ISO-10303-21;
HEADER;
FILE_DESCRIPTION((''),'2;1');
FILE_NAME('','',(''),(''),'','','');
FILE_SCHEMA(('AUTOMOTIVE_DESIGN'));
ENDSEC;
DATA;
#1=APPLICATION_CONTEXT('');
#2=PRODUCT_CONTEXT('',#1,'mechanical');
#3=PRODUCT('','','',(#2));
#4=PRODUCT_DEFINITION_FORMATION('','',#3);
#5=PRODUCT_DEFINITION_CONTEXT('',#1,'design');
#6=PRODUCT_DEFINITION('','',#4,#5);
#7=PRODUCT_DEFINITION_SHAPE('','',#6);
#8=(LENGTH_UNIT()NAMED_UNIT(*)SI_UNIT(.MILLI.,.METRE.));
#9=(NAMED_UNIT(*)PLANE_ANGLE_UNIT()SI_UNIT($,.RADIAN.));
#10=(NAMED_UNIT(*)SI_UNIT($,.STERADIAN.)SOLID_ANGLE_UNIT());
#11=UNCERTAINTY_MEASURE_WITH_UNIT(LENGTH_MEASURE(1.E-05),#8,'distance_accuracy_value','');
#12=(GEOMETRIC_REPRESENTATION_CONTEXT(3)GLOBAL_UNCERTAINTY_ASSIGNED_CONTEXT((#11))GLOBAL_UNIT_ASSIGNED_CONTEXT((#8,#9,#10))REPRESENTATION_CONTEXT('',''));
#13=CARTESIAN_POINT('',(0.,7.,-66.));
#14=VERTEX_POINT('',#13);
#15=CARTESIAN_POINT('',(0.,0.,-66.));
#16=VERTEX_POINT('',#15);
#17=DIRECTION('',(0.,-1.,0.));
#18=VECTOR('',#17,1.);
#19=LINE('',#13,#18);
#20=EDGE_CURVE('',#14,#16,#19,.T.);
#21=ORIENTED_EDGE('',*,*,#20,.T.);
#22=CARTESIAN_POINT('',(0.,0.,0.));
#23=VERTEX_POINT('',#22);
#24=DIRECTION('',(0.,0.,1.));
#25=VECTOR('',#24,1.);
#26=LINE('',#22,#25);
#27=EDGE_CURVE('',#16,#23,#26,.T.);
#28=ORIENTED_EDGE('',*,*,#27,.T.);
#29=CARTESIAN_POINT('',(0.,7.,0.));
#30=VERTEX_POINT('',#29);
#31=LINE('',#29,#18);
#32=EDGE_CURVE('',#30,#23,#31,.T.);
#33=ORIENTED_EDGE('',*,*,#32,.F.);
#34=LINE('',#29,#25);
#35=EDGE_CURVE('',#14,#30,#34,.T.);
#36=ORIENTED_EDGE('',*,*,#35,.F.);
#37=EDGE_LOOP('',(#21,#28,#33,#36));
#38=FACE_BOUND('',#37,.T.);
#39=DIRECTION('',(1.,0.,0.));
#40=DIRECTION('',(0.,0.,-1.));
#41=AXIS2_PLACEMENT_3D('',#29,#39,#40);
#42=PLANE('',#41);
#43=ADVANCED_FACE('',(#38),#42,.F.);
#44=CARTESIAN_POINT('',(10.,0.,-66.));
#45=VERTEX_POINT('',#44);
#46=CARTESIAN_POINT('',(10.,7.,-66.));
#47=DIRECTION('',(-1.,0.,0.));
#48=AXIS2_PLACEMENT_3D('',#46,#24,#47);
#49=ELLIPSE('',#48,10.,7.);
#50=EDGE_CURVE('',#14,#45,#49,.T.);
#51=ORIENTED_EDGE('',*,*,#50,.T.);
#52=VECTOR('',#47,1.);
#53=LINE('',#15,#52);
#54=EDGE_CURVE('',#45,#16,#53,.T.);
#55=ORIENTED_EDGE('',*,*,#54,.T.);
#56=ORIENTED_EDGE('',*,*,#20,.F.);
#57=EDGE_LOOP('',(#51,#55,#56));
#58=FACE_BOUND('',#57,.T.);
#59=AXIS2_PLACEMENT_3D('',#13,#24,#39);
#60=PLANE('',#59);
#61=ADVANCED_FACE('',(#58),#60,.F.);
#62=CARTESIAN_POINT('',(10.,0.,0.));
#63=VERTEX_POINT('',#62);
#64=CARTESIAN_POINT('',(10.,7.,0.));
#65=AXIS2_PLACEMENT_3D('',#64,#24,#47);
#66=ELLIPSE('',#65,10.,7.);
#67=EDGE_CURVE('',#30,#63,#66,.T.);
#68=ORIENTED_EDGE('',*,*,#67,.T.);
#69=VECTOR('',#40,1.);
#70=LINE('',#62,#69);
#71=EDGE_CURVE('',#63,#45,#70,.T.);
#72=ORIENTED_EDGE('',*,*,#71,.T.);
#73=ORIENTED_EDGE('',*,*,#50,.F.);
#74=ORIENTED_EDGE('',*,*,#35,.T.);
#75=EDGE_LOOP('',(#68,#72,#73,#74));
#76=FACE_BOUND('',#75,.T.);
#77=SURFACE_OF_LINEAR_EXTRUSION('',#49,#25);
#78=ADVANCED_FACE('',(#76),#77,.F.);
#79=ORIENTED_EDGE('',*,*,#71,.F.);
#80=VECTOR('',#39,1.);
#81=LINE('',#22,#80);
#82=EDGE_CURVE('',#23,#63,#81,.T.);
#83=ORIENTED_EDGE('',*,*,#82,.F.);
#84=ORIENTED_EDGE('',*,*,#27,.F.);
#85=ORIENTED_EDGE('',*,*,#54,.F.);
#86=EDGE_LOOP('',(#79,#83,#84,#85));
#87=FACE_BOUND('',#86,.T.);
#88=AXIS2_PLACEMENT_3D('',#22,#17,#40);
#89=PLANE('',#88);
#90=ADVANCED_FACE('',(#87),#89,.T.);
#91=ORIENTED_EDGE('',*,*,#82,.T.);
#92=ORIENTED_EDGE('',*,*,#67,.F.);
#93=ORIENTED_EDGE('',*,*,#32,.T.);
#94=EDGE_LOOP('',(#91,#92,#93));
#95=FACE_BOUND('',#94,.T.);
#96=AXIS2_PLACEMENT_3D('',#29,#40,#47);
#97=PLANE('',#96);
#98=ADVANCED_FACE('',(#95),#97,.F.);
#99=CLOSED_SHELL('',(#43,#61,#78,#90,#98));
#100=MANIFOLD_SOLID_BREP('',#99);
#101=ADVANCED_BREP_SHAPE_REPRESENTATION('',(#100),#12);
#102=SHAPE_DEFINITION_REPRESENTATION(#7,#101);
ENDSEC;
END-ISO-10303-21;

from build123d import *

# Parameters (mm, degrees)
SKETCH1_W           = 10
SKETCH1_H           = 66
BOSS_EXTRUDE1_DEPTH = 7
CUT_EXTRUDE1_DEPTH  = 68.119296778


with BuildPart() as part:
    # Sketch1 → Boss-Extrude1 (new body)
    with BuildSketch(Plane(origin=(0, 0, 0), x_dir=(1, 0, 0), z_dir=(0, 1, 0))):
        with Locations((5, 33)):
            Rectangle(SKETCH1_W, SKETCH1_H)
    extrude(amount=BOSS_EXTRUDE1_DEPTH)

    # Sketch2 → Cut-Extrude1 (cut, through all)
    with BuildSketch(Plane.XY):
        with BuildLine():
            Line((0, 7), (10, 7))
            Line((10, 7), (10, 0))
            add(Edge.make_bspline(
                [(0, 7), (0, 0), (10, 0)],
                knots=[0, 0, 0, 1.570796327, 1.570796327, 1.570796327], degree=2, weights=[1, 0.707106781, 1]))
        make_face()
    extrude(amount=-CUT_EXTRUDE1_DEPTH, mode=Mode.SUBTRACT)


solid = part.part
